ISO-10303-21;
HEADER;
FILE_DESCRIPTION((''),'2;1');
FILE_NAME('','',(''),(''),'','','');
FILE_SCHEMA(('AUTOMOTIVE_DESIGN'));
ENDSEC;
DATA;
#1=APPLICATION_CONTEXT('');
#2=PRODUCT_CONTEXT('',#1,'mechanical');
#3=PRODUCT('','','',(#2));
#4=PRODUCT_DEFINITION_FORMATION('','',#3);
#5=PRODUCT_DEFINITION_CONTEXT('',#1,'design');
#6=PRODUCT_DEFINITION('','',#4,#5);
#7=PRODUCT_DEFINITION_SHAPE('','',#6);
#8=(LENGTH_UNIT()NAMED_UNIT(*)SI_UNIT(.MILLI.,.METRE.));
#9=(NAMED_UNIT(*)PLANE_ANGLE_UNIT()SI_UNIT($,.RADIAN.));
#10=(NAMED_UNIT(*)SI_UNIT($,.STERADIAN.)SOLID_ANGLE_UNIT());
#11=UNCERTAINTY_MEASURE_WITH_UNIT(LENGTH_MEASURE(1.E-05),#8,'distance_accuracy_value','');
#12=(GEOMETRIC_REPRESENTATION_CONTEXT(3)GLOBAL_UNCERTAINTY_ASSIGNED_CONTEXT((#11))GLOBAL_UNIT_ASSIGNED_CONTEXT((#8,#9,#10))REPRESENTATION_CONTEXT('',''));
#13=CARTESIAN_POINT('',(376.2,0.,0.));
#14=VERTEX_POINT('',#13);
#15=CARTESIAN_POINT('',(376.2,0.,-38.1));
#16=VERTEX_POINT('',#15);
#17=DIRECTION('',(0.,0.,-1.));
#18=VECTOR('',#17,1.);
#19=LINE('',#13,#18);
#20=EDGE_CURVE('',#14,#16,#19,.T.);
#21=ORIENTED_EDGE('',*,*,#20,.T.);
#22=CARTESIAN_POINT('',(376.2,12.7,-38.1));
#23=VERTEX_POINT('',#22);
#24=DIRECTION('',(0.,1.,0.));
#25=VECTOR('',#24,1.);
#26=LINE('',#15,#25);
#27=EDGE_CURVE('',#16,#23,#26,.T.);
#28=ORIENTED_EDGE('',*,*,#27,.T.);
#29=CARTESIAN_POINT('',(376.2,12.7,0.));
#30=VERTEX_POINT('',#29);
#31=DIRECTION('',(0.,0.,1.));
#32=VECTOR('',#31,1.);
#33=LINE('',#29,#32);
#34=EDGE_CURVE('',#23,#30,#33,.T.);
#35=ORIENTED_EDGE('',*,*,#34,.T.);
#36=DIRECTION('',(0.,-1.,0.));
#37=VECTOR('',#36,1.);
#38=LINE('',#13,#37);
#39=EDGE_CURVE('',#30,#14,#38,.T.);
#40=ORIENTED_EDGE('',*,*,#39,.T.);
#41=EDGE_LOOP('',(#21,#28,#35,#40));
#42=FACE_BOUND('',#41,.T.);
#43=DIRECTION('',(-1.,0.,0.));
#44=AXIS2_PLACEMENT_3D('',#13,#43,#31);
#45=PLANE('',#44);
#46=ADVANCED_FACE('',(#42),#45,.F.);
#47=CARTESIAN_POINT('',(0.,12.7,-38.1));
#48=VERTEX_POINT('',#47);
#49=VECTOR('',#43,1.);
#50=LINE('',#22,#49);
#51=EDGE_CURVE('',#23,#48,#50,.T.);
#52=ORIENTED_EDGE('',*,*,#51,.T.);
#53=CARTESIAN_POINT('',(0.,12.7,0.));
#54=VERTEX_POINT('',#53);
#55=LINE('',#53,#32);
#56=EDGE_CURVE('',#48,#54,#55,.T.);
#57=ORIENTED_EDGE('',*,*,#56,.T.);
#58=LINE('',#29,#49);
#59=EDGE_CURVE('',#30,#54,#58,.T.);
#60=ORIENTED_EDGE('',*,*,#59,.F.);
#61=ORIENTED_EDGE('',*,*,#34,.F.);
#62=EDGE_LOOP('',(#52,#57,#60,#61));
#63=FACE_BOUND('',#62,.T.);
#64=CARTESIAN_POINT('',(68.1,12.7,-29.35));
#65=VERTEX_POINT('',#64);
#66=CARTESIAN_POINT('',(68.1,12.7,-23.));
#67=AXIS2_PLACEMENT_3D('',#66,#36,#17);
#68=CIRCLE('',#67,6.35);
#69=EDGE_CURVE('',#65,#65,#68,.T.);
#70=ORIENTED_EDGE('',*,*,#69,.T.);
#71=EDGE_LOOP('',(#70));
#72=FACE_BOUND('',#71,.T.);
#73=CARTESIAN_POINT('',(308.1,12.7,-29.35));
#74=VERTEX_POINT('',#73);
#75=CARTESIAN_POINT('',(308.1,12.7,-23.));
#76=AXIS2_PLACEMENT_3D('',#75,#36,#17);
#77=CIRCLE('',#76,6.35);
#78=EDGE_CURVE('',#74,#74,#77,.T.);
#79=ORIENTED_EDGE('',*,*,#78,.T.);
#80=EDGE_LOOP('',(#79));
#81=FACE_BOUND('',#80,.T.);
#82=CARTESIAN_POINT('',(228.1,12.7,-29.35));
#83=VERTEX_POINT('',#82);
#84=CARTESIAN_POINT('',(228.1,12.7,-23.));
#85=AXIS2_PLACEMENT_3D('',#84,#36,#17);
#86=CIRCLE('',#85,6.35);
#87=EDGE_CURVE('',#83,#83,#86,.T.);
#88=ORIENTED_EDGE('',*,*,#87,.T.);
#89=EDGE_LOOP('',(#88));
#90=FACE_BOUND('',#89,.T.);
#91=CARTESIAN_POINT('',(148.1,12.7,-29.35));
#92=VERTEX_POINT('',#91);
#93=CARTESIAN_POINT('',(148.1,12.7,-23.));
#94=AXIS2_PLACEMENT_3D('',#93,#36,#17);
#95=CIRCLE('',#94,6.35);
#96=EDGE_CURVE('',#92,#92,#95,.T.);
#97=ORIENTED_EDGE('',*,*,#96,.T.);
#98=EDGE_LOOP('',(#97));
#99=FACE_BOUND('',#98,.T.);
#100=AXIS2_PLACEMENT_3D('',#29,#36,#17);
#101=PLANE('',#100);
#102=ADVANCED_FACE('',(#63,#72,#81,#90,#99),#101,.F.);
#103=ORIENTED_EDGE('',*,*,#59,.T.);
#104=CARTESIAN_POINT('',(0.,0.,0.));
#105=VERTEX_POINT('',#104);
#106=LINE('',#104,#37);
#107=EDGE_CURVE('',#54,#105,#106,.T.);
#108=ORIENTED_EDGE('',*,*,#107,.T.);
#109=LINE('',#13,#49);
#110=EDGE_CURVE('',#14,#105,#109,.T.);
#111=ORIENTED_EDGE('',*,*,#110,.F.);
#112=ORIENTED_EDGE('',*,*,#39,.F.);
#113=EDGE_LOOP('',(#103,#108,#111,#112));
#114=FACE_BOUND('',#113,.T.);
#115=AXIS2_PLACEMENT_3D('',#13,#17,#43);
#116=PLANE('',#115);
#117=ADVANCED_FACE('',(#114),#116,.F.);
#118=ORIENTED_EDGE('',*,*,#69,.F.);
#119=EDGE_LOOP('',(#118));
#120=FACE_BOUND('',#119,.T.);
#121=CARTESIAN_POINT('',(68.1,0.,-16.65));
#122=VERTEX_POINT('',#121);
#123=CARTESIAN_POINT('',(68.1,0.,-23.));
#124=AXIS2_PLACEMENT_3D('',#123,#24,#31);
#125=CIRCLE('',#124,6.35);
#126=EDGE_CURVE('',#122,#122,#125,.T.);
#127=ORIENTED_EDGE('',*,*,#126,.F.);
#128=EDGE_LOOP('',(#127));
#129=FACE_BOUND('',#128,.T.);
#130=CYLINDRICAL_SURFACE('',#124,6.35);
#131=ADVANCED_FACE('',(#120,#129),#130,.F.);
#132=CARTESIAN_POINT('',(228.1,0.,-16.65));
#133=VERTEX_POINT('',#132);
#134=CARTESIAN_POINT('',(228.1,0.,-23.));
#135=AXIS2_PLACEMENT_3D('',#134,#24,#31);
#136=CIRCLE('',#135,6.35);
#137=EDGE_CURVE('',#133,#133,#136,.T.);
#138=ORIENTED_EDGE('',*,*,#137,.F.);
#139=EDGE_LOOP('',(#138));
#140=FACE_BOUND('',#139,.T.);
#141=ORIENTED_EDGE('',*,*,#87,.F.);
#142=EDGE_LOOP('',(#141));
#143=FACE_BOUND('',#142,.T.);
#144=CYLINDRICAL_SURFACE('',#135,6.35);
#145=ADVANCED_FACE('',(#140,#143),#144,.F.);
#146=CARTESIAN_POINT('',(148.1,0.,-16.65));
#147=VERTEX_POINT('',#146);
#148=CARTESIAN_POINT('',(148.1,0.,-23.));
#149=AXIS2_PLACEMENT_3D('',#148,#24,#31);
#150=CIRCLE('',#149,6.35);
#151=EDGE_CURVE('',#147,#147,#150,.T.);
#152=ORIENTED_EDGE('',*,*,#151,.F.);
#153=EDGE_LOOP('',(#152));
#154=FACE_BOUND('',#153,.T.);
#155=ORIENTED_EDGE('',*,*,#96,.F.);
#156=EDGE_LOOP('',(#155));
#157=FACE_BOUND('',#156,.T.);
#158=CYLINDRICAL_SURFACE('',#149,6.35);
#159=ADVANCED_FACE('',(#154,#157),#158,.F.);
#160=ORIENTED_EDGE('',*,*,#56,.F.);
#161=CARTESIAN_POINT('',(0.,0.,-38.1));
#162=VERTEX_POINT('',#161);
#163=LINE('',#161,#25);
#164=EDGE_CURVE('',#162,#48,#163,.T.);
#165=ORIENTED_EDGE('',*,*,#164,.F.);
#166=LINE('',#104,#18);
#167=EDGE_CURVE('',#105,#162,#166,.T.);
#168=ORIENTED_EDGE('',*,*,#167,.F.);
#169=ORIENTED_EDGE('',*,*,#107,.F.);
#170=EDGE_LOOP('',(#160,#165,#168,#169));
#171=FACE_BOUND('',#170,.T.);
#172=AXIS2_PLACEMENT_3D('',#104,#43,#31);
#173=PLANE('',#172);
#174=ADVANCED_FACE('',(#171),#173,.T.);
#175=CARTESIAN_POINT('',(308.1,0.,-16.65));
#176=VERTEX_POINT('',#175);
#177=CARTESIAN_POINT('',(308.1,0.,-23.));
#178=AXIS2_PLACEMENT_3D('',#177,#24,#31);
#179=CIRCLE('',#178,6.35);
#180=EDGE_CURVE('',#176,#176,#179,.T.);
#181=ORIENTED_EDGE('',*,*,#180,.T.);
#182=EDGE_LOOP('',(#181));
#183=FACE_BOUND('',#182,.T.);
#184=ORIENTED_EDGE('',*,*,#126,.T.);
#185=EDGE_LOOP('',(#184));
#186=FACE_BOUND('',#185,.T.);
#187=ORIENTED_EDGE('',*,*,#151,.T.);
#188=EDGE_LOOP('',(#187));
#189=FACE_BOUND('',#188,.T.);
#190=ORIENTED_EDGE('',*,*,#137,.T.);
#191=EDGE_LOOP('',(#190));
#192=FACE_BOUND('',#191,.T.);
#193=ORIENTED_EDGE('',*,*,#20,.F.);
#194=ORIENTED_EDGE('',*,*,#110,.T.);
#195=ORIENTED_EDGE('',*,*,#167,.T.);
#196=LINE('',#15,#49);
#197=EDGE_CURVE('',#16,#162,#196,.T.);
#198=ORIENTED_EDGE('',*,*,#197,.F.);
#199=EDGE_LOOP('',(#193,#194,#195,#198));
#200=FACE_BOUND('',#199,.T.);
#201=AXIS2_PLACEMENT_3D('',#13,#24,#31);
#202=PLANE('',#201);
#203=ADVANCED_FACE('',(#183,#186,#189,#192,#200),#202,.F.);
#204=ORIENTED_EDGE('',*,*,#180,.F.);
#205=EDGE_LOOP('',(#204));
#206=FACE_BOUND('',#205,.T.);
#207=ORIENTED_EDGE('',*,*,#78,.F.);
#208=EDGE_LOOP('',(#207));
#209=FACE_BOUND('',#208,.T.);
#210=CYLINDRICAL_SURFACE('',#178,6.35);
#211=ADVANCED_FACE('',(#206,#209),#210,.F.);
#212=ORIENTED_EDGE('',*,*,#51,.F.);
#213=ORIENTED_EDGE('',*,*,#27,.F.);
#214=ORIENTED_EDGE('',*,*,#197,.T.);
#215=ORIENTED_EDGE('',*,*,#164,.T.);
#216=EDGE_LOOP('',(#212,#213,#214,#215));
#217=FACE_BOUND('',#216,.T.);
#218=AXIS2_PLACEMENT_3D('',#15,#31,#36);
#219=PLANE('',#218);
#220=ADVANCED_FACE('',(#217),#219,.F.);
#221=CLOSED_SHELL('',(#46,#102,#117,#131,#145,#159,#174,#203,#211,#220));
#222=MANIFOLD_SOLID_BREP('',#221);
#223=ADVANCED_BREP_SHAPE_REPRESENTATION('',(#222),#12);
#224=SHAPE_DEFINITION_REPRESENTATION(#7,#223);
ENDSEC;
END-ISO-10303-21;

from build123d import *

# Parameters (mm, degrees)
SKETCH1_W               = 38.1
SKETCH1_H               = 12.7
BOSS_EXTRUDE1_DEPTH     = 376.2
SKETCH2_R               = 6.35
CUT_EXTRUDE1_DEPTH      = 1
CUT_EXTRUDE1_DEPTH_BACK = 13.7


with BuildPart() as part:
    # Sketch1 → Boss-Extrude1 (new body)
    with BuildSketch(Plane(origin=(0, 0, 0), x_dir=(0, 0, -1), z_dir=(1, 0, 0))):
        with Locations((19.05, 6.35)):
            Rectangle(SKETCH1_W, SKETCH1_H)
    extrude(amount=BOSS_EXTRUDE1_DEPTH)

    # Sketch2 → Cut-Extrude1 (cut, two sides)
    with BuildSketch(Plane(origin=(0, 12.7, 0), x_dir=(1, 0, 0), z_dir=(0, 1, 0))) as cut_extrude1_sk:
        with Locations((308.1, 23)):
            Circle(SKETCH2_R)
        with Locations((228.1, 23)):
            Circle(SKETCH2_R)
        with Locations((148.1, 23)):
            Circle(SKETCH2_R)
        with Locations((68.1, 23)):
            Circle(SKETCH2_R)
    extrude(amount=CUT_EXTRUDE1_DEPTH, mode=Mode.SUBTRACT)
    extrude(cut_extrude1_sk.sketch, amount=-CUT_EXTRUDE1_DEPTH_BACK, mode=Mode.SUBTRACT)


solid = part.part
